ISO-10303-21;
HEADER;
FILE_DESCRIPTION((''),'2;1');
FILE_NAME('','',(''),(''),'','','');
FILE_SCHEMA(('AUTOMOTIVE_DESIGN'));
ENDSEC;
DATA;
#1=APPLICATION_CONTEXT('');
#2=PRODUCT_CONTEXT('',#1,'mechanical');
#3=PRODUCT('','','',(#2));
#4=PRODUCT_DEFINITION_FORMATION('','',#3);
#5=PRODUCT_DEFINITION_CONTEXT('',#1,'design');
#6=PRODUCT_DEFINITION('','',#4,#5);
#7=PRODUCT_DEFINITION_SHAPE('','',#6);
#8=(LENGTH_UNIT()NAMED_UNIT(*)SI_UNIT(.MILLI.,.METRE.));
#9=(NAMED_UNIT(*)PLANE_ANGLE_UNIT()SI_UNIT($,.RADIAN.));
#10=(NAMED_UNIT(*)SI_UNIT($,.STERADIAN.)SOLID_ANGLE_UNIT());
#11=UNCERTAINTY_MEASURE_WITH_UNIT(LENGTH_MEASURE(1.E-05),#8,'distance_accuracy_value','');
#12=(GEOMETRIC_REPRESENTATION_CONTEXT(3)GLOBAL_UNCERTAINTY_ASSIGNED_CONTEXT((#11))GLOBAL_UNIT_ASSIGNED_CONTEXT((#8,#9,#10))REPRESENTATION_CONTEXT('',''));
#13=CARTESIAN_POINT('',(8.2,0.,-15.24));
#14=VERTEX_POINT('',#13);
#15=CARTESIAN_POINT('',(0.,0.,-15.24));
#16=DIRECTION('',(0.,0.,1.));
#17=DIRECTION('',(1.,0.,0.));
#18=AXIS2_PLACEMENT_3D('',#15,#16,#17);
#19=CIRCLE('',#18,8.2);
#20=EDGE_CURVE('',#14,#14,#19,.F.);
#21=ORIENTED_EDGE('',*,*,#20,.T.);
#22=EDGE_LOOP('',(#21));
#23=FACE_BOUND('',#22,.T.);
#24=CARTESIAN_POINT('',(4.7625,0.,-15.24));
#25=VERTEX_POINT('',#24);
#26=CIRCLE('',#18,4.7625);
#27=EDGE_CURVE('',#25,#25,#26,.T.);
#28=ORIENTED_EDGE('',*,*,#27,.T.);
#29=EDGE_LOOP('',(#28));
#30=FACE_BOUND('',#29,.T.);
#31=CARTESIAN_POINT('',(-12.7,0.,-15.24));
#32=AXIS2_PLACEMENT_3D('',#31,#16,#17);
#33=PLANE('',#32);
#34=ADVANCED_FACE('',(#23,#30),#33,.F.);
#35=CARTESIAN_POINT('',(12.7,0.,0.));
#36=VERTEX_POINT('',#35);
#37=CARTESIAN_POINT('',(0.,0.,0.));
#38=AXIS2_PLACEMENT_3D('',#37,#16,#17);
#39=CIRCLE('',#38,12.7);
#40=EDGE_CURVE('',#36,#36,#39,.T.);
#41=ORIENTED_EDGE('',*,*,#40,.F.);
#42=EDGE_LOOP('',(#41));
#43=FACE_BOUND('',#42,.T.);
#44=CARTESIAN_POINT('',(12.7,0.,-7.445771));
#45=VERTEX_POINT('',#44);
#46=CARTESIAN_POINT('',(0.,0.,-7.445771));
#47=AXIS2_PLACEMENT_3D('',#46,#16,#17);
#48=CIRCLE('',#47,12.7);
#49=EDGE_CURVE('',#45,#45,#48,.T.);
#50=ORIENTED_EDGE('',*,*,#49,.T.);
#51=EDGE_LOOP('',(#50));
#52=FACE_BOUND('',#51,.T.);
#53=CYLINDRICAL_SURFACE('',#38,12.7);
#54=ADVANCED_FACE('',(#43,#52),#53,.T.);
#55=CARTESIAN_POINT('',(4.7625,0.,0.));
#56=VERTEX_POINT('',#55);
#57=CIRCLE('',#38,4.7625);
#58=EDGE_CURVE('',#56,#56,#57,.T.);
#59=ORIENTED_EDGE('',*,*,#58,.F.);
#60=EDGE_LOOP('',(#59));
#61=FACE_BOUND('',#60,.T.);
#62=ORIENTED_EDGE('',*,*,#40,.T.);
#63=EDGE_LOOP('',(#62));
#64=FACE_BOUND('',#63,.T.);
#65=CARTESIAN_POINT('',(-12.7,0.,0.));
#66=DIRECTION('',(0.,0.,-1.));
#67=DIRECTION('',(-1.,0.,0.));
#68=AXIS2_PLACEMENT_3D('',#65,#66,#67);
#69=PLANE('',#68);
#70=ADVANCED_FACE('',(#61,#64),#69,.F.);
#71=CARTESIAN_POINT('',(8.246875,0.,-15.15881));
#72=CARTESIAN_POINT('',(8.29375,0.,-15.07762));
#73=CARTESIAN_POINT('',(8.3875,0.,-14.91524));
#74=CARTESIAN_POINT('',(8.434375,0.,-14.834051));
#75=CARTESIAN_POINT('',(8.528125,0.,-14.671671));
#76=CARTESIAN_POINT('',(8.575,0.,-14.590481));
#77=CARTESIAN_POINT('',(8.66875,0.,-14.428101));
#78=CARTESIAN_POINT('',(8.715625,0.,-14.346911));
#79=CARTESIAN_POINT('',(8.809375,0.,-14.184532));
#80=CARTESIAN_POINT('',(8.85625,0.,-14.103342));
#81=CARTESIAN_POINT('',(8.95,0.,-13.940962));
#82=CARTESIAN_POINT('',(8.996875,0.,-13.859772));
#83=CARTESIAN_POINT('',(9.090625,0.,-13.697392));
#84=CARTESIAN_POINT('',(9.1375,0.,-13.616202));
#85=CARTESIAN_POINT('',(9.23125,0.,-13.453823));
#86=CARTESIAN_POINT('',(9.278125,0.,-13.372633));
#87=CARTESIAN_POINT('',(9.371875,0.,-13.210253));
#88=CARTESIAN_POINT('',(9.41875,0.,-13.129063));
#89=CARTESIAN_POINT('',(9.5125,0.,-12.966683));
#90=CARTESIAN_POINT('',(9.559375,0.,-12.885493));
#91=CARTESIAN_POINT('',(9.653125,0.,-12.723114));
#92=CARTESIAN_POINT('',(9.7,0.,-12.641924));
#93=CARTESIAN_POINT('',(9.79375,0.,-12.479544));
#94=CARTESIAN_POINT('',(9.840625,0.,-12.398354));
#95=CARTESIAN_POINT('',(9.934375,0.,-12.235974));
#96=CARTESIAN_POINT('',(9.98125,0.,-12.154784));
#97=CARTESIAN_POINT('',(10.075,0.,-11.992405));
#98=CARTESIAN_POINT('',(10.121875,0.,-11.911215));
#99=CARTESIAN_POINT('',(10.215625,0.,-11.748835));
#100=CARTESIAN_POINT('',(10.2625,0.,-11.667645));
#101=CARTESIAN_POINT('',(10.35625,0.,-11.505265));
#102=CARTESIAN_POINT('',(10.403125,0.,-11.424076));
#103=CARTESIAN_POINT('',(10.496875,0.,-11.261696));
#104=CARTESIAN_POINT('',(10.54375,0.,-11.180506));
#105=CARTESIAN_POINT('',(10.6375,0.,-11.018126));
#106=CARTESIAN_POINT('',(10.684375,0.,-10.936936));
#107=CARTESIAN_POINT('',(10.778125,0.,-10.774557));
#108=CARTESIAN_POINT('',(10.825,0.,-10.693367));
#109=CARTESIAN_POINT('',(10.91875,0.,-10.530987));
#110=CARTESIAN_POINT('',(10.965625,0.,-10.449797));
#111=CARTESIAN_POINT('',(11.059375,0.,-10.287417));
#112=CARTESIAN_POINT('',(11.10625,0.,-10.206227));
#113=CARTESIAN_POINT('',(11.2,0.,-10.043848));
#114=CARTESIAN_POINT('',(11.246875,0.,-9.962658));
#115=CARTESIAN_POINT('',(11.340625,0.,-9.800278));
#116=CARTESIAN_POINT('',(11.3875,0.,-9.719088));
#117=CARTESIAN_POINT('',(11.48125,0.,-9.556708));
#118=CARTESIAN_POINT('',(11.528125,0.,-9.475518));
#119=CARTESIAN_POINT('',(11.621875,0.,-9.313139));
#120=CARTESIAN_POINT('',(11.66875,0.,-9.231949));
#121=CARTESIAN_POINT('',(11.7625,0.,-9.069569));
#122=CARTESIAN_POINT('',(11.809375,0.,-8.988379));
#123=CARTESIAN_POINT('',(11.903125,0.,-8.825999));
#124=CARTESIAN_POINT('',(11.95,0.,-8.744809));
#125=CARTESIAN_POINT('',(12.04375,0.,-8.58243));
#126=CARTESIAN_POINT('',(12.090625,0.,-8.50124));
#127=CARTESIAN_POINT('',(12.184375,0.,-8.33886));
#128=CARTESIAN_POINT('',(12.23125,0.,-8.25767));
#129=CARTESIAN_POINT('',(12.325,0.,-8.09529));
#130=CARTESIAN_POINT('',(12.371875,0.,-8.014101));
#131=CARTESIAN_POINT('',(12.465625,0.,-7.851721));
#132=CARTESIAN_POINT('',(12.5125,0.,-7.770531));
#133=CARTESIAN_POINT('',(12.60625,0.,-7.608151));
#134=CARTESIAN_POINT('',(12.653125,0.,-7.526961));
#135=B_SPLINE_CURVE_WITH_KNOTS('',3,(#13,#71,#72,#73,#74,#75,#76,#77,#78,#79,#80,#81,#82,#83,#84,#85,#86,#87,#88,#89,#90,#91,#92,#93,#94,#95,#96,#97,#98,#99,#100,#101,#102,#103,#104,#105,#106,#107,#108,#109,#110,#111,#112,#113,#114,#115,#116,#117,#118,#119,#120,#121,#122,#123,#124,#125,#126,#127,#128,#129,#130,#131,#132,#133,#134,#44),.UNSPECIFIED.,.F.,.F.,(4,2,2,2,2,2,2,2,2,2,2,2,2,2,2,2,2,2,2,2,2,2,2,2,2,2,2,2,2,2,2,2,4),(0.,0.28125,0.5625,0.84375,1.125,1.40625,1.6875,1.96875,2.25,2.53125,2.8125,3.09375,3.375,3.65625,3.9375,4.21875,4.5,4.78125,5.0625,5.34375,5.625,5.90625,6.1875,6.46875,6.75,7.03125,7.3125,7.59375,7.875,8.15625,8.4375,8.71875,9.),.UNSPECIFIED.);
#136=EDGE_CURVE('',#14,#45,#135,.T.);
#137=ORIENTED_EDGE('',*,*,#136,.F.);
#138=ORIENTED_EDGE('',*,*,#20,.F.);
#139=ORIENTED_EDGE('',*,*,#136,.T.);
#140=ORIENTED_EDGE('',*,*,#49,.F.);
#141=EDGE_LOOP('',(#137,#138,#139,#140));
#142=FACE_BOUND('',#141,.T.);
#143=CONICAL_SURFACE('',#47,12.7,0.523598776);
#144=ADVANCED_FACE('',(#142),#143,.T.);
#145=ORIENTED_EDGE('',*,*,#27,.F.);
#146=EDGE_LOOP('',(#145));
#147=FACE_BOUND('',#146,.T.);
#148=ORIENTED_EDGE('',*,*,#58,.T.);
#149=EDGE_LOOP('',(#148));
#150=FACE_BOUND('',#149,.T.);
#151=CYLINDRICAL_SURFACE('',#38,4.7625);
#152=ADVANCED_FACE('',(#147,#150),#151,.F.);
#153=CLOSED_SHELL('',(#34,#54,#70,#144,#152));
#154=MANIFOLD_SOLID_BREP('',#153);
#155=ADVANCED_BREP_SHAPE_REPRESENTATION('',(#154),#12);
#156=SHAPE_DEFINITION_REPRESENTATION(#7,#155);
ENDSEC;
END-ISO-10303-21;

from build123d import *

# Parameters (mm, degrees)
SKETCH1_W      = 7.9375
SKETCH1_H      = 15.24
CHAMFER1_SIZE  = 4.5
CHAMFER1_SIZE2 = 7.794228634


with BuildPart() as part:
    # Sketch1 → Revolve1 (revolve)
    with BuildSketch(Plane(origin=(0, 0, 0), x_dir=(1, 0, 0), z_dir=(0, 1, 0)), mode=Mode.PRIVATE) as revolve1_sk:
        with Locations((-8.73125, 7.62)):
            Rectangle(SKETCH1_W, SKETCH1_H)
    revolve(revolve1_sk.sketch.rotate(Axis((0, 0, 0), (0, 0, -1)), 180), axis=Axis((0, 0, 0), (0, 0, -1)))

    # Chamfer1
    chamfer1_edges = [part.edges().sort_by_distance(p)[0] for p in [
        (-12.7, 0, -15.24),
    ]]
    chamfer1_side = [part.faces().sort_by_distance(p)[0] for p in [
        (-5.121710245, 0, -15.24),
    ]]
    chamfer(chamfer1_edges, length=CHAMFER1_SIZE, length2=CHAMFER1_SIZE2, reference=chamfer1_side[0])


solid = part.part
